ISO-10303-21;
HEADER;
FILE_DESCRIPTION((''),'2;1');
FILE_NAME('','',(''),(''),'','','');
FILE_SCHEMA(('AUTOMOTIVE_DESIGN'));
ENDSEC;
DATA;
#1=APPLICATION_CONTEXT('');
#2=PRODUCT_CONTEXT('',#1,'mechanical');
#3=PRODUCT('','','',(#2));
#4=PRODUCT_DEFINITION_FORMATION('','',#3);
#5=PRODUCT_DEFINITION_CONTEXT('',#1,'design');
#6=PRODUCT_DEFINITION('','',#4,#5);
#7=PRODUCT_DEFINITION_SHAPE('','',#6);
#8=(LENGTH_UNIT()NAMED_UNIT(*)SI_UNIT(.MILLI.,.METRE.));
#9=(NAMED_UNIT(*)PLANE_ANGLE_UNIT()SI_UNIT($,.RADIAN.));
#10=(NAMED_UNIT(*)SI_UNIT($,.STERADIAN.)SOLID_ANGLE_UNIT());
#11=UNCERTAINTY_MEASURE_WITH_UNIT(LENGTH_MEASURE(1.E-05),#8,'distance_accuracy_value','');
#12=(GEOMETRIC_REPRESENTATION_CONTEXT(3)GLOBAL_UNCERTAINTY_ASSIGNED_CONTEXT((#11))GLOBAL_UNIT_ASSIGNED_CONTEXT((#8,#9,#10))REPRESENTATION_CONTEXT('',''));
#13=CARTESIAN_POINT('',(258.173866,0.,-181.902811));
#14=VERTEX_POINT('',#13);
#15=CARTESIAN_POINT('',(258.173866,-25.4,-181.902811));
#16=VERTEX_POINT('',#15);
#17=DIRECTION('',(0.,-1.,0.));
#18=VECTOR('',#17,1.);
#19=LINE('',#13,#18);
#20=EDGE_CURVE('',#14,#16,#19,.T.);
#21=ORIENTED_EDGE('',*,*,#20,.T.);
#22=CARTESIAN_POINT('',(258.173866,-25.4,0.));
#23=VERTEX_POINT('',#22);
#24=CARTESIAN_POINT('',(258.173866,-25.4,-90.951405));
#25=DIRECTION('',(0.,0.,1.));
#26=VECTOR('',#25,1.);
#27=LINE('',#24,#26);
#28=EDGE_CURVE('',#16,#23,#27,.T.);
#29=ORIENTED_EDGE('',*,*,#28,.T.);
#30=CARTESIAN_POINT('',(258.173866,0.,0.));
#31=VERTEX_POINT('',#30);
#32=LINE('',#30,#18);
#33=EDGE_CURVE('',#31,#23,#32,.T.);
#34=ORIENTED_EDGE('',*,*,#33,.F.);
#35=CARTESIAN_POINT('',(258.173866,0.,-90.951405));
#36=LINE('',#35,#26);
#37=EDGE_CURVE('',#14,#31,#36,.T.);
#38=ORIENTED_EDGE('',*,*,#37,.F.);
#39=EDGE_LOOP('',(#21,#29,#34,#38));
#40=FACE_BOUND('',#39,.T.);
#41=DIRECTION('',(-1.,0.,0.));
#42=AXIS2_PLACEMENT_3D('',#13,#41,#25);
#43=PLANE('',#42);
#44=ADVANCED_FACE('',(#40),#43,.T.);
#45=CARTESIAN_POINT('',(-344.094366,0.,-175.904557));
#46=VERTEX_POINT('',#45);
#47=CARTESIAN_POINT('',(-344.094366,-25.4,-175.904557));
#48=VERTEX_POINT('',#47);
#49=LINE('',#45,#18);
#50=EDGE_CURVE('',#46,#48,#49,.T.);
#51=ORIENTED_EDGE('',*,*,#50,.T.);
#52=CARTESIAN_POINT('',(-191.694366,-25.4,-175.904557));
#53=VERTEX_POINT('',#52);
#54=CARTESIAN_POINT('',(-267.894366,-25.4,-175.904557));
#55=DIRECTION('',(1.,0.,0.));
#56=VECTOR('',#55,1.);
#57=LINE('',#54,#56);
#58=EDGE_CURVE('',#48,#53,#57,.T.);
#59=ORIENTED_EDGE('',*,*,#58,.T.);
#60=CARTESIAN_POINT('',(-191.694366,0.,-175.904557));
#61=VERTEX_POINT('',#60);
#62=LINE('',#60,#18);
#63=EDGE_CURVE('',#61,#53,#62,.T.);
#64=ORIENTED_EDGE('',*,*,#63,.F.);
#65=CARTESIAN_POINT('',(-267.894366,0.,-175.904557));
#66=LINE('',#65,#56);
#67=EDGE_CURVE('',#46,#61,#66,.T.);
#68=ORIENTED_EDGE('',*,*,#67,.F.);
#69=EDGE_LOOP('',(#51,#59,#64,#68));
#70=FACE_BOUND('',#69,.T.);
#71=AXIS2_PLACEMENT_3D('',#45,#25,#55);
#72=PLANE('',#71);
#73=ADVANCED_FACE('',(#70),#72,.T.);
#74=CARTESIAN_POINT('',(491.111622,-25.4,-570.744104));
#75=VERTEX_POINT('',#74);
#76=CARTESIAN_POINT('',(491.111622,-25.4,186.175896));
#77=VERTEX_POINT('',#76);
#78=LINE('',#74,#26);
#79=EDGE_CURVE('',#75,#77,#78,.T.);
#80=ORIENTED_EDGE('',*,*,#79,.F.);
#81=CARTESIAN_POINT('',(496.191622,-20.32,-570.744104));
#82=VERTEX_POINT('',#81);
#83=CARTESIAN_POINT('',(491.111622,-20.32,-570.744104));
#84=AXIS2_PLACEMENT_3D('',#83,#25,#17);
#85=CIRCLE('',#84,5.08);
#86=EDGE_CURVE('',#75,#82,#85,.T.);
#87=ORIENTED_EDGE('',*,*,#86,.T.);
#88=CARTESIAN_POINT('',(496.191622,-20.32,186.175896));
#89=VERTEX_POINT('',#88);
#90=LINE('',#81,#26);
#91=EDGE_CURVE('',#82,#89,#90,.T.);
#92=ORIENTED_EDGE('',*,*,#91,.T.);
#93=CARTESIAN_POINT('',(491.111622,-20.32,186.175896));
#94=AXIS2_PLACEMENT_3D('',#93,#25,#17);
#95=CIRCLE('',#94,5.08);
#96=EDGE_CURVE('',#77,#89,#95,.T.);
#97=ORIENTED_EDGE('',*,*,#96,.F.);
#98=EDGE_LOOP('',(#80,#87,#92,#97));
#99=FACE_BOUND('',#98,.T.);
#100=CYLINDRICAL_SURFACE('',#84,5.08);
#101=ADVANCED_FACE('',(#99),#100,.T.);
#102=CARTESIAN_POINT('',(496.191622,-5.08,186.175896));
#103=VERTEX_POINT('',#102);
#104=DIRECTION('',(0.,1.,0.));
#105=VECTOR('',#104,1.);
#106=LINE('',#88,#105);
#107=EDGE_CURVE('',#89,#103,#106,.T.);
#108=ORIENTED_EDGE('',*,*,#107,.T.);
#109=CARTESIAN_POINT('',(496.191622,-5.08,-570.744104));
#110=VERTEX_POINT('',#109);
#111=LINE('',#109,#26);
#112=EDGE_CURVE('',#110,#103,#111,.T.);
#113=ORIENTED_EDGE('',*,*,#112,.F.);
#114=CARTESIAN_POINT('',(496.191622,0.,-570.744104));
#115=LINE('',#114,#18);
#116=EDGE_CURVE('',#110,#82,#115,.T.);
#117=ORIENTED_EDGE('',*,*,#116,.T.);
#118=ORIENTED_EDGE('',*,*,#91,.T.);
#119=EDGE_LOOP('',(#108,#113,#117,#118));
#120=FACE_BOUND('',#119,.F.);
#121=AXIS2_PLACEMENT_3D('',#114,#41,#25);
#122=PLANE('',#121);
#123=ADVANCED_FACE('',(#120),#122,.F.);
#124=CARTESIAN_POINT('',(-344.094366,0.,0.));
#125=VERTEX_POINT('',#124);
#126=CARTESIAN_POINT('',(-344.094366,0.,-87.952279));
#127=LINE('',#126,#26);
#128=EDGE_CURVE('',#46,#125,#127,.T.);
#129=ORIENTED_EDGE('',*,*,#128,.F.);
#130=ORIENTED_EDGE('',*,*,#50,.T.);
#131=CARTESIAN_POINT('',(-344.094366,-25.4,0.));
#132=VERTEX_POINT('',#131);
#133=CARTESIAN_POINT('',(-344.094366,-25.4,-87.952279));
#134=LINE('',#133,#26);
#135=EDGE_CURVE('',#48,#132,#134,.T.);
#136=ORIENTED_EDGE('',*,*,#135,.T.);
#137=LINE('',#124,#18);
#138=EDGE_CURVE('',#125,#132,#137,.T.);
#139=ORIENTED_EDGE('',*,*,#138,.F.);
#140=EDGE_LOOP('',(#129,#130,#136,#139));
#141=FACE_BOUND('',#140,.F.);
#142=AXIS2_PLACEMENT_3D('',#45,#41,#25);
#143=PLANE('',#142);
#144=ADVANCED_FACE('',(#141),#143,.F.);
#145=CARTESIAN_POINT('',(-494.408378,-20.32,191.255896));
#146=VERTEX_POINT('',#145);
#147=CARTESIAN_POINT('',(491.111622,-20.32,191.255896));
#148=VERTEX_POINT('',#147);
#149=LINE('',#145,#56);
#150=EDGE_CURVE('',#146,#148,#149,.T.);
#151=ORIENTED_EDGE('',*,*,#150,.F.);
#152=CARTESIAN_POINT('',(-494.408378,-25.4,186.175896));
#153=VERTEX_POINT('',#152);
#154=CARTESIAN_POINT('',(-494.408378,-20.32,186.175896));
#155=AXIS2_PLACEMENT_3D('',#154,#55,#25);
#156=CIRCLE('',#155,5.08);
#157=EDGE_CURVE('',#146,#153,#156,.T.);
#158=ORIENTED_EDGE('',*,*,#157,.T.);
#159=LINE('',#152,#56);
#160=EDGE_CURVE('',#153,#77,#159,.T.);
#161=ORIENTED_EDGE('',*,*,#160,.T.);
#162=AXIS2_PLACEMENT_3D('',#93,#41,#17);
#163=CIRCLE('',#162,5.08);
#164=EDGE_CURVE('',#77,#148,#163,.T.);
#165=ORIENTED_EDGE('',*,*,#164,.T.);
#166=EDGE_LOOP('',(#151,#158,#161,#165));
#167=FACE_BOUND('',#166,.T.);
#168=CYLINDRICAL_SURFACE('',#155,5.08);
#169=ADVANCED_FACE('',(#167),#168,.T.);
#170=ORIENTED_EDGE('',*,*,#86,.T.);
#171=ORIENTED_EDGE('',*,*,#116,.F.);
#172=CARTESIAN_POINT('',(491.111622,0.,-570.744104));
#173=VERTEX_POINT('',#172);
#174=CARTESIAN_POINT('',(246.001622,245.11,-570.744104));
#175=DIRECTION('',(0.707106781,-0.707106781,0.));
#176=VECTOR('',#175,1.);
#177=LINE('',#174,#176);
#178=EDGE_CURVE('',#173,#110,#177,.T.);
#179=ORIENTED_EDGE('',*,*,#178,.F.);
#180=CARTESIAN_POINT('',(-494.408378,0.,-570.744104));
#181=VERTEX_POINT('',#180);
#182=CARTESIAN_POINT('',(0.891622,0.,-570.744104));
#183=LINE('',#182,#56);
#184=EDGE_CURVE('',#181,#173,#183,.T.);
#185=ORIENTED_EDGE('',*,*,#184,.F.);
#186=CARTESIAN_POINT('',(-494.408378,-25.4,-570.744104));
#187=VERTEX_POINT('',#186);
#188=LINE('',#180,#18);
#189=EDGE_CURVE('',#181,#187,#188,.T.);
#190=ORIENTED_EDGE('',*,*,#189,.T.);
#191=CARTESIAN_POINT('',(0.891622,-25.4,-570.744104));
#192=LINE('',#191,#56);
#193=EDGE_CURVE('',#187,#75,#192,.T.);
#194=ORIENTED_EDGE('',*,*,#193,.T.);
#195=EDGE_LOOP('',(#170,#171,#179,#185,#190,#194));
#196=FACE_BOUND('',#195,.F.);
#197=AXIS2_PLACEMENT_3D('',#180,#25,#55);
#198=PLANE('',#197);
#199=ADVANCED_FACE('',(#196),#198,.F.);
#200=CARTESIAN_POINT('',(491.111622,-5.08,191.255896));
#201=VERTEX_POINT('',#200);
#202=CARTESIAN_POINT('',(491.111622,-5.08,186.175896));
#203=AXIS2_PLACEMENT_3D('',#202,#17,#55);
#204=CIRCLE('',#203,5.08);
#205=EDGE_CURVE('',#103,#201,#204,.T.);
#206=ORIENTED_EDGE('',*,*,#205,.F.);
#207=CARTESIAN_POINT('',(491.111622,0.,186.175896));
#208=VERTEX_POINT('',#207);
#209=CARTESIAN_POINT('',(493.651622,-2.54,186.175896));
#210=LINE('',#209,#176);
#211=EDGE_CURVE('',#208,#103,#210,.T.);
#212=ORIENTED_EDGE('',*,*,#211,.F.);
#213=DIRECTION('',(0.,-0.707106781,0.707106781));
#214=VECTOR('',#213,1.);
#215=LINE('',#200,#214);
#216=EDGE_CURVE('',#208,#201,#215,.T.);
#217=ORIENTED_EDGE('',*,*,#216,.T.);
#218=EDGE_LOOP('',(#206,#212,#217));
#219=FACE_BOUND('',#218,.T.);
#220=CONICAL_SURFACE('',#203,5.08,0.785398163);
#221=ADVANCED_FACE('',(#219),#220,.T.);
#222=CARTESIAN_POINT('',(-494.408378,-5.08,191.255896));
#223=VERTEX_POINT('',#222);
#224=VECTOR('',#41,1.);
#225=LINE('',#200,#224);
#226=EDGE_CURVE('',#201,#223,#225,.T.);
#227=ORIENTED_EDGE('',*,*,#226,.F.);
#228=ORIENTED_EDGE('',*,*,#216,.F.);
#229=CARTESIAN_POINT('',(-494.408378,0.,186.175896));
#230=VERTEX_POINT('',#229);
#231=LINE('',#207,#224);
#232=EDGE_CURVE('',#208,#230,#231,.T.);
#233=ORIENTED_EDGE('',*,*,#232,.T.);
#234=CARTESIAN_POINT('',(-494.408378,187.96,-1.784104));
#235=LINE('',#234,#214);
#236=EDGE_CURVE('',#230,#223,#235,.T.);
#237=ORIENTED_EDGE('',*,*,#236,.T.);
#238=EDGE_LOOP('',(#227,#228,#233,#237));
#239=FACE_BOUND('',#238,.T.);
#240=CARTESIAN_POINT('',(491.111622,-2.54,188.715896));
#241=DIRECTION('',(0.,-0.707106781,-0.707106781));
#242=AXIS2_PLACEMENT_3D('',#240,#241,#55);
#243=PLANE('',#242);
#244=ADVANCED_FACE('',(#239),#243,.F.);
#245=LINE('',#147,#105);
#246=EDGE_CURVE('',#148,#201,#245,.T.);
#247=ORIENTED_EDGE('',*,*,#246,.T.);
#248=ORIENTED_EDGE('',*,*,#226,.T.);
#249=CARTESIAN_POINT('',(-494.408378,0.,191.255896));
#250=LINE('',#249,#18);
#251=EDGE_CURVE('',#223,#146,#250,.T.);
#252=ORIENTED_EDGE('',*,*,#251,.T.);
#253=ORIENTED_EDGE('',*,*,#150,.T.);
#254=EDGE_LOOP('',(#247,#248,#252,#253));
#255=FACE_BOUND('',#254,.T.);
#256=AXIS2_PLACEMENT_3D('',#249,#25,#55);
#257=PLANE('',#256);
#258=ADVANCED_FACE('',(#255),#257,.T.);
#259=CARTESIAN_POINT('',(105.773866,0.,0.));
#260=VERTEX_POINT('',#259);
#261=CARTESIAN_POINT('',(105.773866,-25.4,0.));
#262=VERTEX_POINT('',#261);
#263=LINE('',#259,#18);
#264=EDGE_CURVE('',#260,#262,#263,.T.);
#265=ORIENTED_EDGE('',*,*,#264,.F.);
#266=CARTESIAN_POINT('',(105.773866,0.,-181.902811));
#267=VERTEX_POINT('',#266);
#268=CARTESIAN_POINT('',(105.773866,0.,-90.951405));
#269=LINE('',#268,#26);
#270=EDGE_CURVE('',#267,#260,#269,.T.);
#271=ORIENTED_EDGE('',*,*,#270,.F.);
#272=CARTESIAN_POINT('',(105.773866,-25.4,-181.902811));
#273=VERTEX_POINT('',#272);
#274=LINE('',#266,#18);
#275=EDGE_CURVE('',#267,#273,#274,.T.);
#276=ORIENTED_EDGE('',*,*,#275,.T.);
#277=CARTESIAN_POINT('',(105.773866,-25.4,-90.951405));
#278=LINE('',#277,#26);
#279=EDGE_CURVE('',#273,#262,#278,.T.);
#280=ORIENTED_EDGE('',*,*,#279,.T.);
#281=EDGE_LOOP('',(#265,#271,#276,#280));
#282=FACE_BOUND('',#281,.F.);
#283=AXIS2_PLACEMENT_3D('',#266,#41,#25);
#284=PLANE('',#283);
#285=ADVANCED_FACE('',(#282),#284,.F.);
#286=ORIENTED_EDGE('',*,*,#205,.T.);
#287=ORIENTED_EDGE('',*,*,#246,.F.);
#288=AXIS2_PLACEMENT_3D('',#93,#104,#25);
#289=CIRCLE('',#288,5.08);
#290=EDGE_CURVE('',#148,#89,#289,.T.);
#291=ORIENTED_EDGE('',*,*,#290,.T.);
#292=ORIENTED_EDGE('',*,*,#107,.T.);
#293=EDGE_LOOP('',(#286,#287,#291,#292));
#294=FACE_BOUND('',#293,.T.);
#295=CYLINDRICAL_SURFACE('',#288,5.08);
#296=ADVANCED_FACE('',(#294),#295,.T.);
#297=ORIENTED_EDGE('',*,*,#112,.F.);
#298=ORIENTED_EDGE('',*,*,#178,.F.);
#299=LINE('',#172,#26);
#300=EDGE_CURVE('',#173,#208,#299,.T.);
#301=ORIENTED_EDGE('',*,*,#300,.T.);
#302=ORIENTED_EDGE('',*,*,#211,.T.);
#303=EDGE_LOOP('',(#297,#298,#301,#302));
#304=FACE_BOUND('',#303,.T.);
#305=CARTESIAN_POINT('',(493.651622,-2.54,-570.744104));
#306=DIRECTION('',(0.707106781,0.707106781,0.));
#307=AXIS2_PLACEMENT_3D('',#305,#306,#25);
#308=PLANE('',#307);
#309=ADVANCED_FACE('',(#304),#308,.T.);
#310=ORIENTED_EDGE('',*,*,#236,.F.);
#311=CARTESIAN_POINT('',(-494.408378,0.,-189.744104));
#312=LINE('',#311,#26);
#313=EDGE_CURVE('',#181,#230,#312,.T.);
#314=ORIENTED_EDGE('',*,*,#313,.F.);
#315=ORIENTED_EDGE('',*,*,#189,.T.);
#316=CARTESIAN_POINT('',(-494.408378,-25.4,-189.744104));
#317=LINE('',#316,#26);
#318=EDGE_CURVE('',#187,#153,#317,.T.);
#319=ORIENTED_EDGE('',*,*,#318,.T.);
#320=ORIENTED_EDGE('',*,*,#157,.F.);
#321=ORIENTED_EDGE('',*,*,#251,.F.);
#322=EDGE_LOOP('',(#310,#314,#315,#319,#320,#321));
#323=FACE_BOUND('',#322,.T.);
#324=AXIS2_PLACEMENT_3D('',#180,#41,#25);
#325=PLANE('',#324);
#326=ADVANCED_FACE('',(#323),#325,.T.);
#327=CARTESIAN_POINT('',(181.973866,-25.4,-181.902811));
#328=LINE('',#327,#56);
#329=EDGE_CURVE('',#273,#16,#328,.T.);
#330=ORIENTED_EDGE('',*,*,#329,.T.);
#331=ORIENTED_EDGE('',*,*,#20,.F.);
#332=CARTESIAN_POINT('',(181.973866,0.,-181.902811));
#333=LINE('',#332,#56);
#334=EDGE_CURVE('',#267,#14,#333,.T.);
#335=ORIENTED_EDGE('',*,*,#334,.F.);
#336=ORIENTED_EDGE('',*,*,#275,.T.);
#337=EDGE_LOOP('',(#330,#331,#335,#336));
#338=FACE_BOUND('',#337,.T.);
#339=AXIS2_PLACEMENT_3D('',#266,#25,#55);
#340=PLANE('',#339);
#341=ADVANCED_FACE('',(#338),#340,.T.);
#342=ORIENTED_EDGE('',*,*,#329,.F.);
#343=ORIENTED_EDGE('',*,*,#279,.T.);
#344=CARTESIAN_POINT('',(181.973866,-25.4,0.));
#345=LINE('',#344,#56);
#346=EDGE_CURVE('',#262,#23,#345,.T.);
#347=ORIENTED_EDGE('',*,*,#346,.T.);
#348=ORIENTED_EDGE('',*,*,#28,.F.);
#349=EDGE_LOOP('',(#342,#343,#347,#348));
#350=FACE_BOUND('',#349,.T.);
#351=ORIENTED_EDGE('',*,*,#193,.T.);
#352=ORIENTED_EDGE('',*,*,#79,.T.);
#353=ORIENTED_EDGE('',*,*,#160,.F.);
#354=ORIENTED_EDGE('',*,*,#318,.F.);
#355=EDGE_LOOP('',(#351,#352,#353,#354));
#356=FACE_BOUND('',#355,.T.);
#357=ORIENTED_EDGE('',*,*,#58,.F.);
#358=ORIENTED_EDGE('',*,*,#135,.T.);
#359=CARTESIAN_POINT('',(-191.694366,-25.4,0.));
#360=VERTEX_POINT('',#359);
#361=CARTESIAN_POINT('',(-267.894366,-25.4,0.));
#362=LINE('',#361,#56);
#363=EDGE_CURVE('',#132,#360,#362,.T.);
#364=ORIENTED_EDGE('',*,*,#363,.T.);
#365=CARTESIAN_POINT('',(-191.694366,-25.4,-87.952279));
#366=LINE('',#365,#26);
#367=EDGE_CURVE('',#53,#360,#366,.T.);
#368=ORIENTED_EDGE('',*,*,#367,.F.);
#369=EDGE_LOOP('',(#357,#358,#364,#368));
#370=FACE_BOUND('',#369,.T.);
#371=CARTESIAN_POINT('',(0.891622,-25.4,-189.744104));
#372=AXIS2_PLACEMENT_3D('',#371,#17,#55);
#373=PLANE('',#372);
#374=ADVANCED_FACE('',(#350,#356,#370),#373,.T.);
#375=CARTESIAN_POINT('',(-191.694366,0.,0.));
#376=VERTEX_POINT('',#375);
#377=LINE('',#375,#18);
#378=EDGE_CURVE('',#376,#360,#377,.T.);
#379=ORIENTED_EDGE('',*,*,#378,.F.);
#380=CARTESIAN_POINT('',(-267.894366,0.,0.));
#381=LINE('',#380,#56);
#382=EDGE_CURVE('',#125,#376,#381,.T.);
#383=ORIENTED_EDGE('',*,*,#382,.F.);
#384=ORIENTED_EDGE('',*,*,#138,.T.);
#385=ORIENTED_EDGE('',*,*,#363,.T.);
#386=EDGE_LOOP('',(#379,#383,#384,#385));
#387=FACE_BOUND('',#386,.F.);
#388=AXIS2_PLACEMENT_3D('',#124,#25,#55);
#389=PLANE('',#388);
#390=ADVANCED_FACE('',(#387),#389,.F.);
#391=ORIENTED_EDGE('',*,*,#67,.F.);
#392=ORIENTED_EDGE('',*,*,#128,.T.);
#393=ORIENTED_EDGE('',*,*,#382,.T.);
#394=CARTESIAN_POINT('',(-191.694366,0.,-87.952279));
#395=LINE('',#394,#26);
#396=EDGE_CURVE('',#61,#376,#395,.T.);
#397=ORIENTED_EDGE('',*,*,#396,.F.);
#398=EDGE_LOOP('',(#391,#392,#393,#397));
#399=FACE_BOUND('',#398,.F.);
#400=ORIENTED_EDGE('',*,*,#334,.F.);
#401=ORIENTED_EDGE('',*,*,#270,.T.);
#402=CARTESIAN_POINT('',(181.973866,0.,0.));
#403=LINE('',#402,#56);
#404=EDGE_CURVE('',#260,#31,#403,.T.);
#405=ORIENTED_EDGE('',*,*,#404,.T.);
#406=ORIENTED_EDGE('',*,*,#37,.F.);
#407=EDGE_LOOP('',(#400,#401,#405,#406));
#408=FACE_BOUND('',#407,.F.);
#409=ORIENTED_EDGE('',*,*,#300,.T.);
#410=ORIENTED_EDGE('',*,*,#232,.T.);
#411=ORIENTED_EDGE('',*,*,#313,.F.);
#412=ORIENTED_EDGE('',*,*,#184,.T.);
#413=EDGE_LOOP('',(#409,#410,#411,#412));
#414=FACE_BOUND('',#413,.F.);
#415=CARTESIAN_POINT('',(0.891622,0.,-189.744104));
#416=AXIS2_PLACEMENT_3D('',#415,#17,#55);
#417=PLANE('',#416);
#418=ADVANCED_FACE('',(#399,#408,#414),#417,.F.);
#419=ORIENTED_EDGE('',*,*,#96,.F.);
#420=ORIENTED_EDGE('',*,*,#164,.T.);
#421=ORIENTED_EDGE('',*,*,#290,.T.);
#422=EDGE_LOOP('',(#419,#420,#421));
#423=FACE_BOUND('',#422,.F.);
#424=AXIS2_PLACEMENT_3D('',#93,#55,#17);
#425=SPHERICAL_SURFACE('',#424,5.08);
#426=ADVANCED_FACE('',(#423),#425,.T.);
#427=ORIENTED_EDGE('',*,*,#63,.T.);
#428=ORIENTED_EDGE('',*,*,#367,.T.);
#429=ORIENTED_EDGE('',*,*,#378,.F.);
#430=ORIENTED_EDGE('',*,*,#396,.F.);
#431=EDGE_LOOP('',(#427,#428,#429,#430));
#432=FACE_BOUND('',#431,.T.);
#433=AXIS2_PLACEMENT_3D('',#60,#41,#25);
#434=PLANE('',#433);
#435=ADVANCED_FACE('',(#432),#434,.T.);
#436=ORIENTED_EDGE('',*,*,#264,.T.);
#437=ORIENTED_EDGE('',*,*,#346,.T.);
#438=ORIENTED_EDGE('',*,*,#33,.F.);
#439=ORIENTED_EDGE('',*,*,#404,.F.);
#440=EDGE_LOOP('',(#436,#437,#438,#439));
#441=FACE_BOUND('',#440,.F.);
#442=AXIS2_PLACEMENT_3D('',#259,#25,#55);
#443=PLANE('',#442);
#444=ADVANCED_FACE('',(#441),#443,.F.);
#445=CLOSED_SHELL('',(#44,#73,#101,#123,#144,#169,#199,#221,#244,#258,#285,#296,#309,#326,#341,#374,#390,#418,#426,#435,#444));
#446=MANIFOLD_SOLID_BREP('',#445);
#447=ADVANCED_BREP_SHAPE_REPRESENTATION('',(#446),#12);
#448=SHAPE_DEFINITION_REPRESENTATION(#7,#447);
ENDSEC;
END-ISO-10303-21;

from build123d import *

# Parameters (mm, degrees)
F0_W     = 990.6
F0_H     = 762
F0_W_2   = 152.4
F0_H_2   = 175.9045571089
F0_H_3   = 181.9028109312
F1_DEPTH = 25.4
F2_R     = 5.08
F3_R     = 5.08
F4_SIZE  = 5.08


with BuildPart() as f1:
    # F0 (on Front) → F1 (new body)
    with BuildSketch(Plane.XZ):
        with Locations((0.8916221559, -189.7441043131)):
            Rectangle(F0_W, F0_H)
        with Locations((-267.8943658352, -87.9522785544)):
            Rectangle(F0_W_2, F0_H_2, mode=Mode.SUBTRACT)
        with Locations((181.9738661766, -90.9514054656)):
            Rectangle(F0_W_2, F0_H_3, mode=Mode.SUBTRACT)
    extrude(amount=F1_DEPTH)

    # F2
    f2_edges = [f1.edges().sort_by_distance(p)[0] for p in [
        (0.891622, -25.4, 191.255896),
    ]]
    fillet(f2_edges, radius=F2_R)

    # F3
    f3_edges = [f1.edges().sort_by_distance(p)[0] for p in [
        (0.891622, -25.4, 186.175896),
        (496.191622, -25.4, -192.284104),
    ]]
    fillet(f3_edges, radius=F3_R)

    # F4
    f4_edges = [f1.edges().sort_by_distance(p)[0] for p in [
        (496.191622, 0, -192.284104),
    ]]
    chamfer(f4_edges, length=F4_SIZE)


solid = f1.part
